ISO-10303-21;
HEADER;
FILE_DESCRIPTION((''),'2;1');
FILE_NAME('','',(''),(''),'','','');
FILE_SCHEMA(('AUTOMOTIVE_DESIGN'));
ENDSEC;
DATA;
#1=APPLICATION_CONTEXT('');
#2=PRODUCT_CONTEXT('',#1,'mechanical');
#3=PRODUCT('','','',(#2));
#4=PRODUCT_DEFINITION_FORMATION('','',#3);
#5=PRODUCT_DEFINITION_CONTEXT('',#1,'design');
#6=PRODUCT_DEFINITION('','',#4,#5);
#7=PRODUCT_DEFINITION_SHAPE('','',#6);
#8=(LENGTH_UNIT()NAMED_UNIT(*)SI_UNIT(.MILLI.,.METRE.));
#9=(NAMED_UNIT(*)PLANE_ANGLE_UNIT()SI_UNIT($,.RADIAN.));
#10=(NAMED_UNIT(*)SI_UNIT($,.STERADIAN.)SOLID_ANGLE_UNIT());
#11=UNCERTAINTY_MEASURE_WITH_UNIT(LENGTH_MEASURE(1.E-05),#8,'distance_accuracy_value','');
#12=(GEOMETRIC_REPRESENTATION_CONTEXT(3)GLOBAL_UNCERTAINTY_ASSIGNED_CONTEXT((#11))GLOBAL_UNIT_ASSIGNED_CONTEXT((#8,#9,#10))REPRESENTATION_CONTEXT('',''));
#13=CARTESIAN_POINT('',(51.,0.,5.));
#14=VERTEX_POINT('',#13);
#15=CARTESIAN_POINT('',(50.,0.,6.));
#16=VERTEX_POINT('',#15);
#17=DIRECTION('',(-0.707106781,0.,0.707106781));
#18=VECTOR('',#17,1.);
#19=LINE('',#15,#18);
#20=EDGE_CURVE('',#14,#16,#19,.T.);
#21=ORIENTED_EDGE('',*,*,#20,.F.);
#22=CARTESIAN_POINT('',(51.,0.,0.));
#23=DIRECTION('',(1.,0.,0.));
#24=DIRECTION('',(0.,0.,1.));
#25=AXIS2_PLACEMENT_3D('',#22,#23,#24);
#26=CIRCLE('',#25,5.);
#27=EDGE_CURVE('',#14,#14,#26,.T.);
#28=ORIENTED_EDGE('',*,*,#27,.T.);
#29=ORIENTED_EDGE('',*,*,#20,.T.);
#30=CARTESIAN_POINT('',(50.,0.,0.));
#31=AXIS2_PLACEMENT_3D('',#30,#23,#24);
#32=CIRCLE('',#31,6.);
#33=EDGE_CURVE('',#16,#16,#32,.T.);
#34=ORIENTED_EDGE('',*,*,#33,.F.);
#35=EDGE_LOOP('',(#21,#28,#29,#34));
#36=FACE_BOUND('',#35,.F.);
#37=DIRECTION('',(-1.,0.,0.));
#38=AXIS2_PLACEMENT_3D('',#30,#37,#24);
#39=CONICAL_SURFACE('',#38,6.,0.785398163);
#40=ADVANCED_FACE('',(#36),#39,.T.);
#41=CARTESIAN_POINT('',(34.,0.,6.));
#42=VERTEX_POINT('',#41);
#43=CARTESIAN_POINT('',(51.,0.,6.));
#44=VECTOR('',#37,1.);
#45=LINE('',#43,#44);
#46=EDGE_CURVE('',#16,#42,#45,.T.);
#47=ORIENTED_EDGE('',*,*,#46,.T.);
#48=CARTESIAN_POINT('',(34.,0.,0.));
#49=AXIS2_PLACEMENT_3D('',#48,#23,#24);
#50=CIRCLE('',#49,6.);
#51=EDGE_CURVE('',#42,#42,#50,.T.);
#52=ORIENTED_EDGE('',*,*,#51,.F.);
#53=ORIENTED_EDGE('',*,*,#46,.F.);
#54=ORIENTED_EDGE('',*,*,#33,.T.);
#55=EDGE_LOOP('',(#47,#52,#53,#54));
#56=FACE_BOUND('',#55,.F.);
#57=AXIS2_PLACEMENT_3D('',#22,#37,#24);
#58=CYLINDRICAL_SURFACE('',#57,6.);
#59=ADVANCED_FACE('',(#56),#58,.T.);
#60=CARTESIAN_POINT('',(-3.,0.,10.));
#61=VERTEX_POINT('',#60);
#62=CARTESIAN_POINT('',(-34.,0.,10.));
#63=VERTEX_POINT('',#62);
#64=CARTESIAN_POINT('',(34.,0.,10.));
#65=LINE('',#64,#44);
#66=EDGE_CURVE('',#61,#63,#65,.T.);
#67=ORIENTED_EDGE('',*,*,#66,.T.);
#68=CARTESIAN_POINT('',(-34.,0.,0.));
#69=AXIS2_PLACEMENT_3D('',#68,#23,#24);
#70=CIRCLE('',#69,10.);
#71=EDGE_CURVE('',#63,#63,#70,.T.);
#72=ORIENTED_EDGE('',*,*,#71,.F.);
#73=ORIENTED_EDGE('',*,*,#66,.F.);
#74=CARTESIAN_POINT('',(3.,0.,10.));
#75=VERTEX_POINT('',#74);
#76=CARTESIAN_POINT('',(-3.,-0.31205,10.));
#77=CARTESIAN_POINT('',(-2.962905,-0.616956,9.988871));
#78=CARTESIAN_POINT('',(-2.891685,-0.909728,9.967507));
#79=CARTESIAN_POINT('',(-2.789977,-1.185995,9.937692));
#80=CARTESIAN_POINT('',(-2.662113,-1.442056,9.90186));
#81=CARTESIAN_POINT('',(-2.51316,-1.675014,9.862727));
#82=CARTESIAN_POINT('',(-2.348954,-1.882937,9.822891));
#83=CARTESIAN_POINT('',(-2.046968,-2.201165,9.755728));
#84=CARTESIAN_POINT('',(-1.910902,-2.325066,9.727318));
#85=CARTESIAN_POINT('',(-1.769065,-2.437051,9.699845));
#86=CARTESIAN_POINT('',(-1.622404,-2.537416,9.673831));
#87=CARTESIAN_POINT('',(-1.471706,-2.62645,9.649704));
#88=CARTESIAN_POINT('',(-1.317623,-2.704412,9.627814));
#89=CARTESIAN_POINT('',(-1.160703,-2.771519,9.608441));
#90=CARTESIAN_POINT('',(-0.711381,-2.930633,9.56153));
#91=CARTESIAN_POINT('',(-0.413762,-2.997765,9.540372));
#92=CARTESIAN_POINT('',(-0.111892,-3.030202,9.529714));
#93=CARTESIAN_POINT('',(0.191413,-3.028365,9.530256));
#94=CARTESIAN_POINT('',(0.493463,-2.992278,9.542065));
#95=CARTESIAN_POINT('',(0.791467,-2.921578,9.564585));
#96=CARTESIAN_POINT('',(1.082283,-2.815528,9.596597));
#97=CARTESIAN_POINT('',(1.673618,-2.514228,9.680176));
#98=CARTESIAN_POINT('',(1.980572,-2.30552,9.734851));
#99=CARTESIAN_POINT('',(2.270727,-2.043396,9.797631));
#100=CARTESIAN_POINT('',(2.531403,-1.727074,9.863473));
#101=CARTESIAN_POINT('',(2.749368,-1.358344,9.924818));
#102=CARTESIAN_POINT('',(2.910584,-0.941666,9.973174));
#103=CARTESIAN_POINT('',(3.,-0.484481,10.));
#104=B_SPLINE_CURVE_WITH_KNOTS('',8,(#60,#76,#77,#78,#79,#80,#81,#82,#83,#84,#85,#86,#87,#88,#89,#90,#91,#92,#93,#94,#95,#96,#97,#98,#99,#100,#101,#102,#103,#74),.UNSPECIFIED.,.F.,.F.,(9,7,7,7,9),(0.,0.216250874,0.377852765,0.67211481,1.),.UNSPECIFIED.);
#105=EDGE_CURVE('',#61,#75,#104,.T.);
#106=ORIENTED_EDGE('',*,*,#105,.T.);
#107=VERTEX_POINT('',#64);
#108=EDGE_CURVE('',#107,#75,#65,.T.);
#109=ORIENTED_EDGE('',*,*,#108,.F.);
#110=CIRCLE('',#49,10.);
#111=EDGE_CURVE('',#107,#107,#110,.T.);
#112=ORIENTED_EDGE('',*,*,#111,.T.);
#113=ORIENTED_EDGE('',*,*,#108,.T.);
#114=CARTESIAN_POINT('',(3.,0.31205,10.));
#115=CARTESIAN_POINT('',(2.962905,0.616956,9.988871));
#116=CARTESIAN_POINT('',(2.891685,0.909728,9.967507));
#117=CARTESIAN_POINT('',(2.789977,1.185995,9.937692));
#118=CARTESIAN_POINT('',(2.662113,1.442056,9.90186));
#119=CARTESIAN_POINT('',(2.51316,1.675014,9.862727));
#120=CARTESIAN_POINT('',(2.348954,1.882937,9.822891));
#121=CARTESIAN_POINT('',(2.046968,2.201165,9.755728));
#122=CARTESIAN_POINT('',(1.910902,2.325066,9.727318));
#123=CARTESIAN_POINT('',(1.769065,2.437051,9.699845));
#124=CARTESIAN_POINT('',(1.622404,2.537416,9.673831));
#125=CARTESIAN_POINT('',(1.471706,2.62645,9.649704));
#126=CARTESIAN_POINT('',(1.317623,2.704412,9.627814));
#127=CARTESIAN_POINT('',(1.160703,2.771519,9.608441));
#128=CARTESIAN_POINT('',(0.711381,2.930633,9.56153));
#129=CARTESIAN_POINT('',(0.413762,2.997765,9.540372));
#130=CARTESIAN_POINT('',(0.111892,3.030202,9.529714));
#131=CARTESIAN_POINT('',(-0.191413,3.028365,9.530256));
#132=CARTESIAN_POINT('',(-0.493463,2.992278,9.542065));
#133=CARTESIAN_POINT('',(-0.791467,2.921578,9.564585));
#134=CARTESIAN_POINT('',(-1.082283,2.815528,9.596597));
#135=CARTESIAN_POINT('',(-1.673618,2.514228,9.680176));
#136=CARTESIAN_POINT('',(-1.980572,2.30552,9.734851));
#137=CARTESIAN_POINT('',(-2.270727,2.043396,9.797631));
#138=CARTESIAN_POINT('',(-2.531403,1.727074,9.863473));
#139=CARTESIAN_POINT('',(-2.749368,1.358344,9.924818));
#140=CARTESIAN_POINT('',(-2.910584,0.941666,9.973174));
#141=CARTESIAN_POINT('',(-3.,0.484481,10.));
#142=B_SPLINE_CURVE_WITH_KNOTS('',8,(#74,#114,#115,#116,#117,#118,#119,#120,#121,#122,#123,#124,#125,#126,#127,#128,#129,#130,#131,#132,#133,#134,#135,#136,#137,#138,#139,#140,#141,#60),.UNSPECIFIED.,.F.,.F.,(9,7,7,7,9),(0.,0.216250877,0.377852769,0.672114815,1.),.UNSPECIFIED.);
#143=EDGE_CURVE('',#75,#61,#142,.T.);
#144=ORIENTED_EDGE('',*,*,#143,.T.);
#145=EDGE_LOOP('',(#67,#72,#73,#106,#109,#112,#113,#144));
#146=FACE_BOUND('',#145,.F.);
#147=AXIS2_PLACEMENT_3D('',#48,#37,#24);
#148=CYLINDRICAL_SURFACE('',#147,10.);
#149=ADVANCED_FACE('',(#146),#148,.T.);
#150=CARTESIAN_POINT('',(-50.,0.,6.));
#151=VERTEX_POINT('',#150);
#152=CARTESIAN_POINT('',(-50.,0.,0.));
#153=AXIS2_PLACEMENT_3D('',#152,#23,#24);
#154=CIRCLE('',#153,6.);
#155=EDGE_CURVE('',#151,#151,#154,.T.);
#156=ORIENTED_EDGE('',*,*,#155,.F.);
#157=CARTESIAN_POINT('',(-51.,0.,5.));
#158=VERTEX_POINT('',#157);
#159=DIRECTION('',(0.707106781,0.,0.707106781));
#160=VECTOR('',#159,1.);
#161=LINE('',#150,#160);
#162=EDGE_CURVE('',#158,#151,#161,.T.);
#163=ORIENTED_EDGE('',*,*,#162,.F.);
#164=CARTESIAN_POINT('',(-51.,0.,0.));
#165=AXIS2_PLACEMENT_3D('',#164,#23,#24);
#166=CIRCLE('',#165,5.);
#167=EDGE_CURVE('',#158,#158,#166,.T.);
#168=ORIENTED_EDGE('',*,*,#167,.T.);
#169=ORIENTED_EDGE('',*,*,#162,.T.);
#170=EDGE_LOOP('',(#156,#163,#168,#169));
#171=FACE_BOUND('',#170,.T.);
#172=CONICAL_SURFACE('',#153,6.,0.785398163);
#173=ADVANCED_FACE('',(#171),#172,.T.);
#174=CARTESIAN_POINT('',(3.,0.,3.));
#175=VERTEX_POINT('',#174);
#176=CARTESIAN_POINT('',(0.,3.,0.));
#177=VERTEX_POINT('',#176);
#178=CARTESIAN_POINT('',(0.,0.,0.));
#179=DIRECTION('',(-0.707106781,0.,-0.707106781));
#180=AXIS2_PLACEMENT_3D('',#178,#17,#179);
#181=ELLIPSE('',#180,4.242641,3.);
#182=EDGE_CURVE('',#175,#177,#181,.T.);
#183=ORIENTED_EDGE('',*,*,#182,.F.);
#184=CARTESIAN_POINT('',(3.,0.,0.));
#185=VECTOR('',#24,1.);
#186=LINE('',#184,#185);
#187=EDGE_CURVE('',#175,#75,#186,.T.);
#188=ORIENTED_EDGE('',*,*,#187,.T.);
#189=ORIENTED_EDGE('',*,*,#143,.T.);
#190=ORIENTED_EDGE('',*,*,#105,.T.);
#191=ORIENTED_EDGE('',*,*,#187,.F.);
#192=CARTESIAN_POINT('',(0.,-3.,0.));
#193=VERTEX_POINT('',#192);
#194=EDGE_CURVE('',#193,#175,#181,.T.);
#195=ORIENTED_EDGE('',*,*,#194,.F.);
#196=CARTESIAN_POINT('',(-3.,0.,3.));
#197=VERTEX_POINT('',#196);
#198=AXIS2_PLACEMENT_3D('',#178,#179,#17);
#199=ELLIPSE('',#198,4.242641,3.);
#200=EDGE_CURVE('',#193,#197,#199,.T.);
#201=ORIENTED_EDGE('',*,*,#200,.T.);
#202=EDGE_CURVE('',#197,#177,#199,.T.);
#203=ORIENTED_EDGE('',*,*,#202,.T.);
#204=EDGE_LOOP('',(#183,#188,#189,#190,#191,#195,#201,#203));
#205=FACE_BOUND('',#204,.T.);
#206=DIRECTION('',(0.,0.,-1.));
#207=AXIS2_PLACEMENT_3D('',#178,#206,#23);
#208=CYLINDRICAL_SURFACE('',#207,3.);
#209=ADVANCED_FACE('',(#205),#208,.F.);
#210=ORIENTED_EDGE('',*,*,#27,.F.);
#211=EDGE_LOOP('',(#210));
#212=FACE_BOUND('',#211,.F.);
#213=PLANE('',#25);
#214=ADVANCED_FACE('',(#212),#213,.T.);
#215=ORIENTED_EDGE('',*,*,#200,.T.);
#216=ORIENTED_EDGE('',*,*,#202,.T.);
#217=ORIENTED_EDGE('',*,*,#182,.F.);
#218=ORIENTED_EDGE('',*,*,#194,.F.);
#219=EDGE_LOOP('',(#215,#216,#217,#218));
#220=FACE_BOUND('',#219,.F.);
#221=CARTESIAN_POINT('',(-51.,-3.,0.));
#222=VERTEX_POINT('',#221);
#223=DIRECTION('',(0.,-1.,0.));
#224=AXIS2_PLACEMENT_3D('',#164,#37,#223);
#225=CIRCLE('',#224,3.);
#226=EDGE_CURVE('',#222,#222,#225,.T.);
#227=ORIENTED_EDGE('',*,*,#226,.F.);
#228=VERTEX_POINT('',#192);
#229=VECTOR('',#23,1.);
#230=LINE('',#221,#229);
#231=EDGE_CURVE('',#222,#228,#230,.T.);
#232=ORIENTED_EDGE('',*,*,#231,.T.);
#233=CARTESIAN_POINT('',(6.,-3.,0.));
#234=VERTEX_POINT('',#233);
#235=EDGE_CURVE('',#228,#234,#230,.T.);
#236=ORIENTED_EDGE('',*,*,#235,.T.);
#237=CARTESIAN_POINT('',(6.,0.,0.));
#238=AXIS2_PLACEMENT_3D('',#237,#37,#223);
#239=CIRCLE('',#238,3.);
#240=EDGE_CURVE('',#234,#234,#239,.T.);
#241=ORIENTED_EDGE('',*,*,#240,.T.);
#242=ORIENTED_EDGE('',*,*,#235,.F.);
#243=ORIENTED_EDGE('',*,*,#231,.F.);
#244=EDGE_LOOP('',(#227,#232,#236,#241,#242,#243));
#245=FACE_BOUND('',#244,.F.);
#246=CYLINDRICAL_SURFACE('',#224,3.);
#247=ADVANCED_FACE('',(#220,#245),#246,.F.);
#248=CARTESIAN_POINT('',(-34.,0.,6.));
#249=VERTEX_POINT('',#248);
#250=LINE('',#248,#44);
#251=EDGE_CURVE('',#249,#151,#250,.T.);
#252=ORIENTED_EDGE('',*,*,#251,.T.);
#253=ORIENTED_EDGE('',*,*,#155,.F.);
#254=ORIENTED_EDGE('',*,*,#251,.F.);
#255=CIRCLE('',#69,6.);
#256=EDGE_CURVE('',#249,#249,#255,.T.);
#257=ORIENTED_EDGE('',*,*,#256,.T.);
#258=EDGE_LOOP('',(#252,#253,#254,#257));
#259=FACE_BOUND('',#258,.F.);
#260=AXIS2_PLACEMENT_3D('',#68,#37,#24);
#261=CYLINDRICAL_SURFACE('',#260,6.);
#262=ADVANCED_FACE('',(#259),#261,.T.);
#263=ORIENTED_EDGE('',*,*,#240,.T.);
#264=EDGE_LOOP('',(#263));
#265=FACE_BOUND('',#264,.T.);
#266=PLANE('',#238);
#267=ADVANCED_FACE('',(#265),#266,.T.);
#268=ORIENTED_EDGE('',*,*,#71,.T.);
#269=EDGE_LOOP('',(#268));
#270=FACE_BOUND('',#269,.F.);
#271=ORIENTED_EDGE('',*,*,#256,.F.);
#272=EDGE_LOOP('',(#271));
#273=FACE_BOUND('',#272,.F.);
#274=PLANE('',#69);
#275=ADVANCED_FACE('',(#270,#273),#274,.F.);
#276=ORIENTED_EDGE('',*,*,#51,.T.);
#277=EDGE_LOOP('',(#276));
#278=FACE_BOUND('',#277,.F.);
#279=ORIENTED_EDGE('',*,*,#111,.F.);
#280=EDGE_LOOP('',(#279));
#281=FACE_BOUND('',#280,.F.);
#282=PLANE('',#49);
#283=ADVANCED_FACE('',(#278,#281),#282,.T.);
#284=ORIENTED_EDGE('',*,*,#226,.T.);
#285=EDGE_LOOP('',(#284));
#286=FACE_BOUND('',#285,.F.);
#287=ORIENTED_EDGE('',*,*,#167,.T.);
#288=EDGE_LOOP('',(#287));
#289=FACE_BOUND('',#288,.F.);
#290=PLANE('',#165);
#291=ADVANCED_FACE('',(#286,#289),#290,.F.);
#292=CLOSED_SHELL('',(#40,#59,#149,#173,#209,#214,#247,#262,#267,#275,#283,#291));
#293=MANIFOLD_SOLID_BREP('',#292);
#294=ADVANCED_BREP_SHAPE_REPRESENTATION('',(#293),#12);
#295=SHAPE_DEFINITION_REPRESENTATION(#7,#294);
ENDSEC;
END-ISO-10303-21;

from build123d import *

# Parameters (mm, degrees)
F2_SIZE  = 1
F3_R     = 3
F4_DEPTH = 57
F5_R     = 3
F6_DEPTH = 32


with BuildPart() as f1:
    # F0 (on Front) → F1 (revolve)
    with BuildSketch(Plane.XZ):
        Polygon((-51, 6), (-51, 0), (51, 0), (51, 6), (34, 6), (34, 10), (-34, 10), (-34, 6), align=None)
    revolve(axis=Axis((0, 0, 0), (1, 0, 0)))

    # F2
    f2_edges = [f1.edges().sort_by_distance(p)[0] for p in [
        (51, 0, -6),
        (-51, 0, -6),
    ]]
    chamfer(f2_edges, length=F2_SIZE)

    # F3 (on face) → F4 (cut)
    with BuildSketch(Plane(origin=(-51, 0, 0), x_dir=(0, -1, 0), z_dir=(-1, 0, 0))):
        Circle(F3_R)
    extrude(amount=-F4_DEPTH, mode=Mode.SUBTRACT)

    # F5 (on Top) → F6 (cut)
    with BuildSketch(Plane.XY):
        Circle(F5_R)
    extrude(amount=F6_DEPTH, mode=Mode.SUBTRACT)


solid = f1.part
